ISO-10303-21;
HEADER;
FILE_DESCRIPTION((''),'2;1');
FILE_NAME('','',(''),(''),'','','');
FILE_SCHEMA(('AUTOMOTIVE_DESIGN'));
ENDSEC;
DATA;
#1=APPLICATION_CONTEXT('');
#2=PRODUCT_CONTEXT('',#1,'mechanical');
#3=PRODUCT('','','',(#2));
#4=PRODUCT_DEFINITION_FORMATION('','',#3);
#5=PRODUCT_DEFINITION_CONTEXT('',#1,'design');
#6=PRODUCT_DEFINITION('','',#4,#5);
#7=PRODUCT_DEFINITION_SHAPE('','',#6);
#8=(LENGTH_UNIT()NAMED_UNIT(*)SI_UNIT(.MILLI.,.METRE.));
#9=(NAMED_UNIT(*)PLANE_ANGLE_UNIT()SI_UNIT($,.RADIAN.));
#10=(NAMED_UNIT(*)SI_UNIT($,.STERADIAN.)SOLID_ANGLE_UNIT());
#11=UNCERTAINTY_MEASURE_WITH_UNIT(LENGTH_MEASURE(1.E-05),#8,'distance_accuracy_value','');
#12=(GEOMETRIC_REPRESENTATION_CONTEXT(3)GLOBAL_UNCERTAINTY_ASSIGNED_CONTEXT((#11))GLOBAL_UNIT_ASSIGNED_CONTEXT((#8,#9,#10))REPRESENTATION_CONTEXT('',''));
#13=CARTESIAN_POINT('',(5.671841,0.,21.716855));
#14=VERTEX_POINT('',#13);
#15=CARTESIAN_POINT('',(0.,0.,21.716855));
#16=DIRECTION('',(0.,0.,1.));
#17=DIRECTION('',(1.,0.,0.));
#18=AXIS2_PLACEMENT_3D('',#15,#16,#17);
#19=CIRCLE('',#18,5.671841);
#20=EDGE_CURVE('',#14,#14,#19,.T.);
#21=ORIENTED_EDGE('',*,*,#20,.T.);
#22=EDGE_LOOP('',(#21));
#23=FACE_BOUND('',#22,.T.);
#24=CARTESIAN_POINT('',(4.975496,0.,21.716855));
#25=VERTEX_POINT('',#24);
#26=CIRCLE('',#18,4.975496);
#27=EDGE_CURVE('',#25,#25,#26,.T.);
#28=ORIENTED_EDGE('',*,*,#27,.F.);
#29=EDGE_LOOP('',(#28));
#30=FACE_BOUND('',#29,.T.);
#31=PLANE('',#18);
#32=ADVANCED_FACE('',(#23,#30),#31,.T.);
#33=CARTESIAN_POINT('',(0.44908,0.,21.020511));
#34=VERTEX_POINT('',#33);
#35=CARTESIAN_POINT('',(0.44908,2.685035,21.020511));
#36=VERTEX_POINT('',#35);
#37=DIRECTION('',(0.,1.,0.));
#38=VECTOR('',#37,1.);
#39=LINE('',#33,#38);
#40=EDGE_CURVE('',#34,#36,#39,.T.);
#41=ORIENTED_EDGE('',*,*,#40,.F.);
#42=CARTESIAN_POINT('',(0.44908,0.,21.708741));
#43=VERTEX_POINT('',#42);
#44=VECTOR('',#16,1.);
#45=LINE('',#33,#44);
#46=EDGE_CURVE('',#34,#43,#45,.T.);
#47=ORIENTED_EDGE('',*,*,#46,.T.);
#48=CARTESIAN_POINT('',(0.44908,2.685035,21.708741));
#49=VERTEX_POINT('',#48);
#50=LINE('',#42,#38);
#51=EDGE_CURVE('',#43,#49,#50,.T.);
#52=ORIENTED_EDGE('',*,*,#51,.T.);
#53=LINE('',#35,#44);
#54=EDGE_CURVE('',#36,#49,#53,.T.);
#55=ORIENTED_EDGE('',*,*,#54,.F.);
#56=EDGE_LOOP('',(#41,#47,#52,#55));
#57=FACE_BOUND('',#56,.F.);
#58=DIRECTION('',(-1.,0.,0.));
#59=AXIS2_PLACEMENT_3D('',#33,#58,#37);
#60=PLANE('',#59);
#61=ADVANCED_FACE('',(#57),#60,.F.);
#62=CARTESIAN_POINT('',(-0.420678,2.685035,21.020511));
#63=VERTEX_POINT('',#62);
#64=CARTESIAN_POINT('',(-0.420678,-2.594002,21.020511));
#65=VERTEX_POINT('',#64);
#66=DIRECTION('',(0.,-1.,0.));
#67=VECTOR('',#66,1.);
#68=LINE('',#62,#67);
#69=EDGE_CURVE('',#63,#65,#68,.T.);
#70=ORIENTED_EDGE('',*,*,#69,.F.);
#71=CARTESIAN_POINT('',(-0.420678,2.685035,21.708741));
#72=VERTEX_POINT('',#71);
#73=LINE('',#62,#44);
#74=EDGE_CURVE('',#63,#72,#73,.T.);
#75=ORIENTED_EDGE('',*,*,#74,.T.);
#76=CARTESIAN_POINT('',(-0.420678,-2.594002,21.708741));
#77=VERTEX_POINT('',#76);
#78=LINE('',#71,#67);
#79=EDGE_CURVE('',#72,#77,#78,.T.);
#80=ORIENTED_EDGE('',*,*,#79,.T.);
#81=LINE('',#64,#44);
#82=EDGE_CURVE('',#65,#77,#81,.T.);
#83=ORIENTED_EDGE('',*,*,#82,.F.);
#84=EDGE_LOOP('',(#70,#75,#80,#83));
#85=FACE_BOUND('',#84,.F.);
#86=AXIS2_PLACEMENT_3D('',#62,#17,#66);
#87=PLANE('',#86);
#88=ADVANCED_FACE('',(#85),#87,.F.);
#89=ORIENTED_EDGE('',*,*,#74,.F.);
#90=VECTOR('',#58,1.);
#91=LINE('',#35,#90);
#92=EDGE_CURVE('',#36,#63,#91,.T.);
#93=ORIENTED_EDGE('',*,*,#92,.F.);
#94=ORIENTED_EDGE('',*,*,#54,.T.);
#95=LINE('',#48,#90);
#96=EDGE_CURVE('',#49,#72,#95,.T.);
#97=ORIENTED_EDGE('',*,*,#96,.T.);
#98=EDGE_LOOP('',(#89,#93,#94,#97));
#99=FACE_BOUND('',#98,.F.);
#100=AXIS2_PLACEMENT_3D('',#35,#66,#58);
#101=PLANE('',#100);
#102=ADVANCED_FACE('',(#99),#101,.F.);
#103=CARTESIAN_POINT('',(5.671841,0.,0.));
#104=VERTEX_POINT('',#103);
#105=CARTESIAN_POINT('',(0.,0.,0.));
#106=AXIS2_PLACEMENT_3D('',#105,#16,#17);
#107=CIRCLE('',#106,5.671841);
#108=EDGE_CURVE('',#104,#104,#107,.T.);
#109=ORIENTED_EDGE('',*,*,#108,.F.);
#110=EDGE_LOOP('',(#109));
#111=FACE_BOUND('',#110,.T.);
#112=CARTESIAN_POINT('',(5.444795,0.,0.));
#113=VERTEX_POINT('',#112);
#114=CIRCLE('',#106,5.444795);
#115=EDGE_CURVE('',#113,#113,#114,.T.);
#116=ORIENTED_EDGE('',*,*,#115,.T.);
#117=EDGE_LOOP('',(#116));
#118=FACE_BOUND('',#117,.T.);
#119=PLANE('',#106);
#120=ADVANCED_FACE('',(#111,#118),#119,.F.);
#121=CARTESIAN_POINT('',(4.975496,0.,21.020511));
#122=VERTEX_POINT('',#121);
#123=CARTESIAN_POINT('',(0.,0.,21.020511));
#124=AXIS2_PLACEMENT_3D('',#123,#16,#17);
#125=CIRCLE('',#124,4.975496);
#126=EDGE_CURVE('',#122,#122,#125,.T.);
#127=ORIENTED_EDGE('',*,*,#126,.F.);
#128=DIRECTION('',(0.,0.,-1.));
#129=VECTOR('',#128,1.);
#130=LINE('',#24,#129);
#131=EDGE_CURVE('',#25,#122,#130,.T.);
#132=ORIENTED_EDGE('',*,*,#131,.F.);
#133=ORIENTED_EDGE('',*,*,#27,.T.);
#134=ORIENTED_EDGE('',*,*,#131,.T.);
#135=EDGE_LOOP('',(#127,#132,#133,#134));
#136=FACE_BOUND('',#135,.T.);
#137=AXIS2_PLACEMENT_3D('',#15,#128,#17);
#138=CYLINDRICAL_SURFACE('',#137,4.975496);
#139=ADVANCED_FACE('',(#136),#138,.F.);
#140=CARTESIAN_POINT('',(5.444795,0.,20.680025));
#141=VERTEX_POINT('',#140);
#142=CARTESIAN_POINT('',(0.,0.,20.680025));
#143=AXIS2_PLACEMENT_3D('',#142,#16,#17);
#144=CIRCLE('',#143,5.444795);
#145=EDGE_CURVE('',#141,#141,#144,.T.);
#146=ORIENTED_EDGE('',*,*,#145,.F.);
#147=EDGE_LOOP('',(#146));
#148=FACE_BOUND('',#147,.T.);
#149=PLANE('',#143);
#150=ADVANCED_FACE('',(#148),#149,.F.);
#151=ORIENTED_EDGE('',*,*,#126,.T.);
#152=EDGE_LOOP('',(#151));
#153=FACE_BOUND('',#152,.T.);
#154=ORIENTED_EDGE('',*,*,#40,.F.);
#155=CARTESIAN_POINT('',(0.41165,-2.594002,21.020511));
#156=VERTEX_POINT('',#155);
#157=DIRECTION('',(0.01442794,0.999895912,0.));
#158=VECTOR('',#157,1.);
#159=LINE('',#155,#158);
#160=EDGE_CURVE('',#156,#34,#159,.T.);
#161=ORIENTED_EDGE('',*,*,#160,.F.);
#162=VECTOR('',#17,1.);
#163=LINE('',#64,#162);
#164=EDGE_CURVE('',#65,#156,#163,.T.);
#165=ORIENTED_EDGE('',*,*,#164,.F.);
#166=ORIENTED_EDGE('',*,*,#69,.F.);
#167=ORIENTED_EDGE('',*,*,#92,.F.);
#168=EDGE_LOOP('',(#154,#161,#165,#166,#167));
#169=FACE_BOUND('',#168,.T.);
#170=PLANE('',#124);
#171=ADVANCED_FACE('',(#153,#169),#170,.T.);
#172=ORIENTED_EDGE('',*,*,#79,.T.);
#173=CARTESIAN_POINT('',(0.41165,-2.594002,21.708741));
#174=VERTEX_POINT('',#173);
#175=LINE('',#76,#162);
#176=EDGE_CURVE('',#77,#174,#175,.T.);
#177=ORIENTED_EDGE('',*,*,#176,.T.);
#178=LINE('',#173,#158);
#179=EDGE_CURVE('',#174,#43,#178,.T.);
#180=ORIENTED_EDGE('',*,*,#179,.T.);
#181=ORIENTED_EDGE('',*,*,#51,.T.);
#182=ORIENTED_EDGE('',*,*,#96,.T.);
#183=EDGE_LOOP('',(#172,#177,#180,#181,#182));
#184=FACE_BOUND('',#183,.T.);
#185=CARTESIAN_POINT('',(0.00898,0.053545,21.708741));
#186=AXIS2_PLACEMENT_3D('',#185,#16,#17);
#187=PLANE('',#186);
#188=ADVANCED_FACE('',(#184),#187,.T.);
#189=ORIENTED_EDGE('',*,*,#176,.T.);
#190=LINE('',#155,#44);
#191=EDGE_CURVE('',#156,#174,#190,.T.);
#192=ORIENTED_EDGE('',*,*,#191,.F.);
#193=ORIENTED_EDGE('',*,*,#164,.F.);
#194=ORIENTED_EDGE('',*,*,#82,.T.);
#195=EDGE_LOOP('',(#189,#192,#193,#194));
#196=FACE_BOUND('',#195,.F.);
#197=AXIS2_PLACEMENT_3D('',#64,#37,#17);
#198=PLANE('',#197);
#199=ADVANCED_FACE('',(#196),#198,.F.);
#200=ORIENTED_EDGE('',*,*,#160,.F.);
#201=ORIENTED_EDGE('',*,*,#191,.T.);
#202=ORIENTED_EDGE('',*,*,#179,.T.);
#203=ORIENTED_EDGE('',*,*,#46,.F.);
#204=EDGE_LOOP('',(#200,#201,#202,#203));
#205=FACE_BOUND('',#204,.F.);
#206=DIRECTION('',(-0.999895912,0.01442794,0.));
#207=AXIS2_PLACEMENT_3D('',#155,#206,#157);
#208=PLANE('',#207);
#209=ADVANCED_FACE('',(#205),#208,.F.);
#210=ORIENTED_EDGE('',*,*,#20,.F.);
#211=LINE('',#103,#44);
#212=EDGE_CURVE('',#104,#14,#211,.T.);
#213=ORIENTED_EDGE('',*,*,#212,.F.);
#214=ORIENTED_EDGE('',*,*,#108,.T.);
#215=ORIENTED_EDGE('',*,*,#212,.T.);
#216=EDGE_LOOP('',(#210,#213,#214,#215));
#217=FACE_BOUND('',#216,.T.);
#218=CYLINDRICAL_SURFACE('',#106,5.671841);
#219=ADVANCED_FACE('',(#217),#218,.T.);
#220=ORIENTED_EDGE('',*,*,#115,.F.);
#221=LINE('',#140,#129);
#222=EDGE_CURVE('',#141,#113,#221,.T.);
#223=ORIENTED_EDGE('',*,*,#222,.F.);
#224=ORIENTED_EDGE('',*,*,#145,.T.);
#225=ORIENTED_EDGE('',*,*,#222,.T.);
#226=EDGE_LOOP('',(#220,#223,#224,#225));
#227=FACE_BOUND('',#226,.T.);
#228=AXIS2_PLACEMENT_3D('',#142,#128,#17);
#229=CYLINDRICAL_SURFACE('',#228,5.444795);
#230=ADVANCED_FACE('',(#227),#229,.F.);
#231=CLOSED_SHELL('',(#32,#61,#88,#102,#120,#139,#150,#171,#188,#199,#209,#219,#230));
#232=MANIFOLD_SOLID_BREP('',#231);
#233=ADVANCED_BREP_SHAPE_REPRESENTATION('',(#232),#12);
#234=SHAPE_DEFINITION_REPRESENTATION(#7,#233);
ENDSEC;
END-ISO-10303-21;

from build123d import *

# Parameters (mm, degrees)
F3_DEPTH = 0.68823


with BuildPart() as f1:
    # F0 (on Front) → F1 (revolve)
    with BuildSketch(Plane.XZ):
        Polygon((4.975496, 21.716855), (4.975496, 21.020511), (0, 21.020511), (0, 20.680025), (0.289994, 20.680025), (5.444795, 20.680025), (5.444795, 0), (5.671841, 0), (5.671841, 21.716855), align=None)
    revolve(axis=Axis((0, 0, 20.850268), (0, 0, 1)))

    # F2 (on face) → F3 (join)
    with BuildSketch(Plane.XY.offset(21.020511)):
        Polygon((0.41165, -2.594002), (0.44908, 0), (0.44908, 2.685035), (-0.420678, 2.685035), (-0.420678, -2.594002), align=None)
    extrude(amount=F3_DEPTH)


solid = f1.part
